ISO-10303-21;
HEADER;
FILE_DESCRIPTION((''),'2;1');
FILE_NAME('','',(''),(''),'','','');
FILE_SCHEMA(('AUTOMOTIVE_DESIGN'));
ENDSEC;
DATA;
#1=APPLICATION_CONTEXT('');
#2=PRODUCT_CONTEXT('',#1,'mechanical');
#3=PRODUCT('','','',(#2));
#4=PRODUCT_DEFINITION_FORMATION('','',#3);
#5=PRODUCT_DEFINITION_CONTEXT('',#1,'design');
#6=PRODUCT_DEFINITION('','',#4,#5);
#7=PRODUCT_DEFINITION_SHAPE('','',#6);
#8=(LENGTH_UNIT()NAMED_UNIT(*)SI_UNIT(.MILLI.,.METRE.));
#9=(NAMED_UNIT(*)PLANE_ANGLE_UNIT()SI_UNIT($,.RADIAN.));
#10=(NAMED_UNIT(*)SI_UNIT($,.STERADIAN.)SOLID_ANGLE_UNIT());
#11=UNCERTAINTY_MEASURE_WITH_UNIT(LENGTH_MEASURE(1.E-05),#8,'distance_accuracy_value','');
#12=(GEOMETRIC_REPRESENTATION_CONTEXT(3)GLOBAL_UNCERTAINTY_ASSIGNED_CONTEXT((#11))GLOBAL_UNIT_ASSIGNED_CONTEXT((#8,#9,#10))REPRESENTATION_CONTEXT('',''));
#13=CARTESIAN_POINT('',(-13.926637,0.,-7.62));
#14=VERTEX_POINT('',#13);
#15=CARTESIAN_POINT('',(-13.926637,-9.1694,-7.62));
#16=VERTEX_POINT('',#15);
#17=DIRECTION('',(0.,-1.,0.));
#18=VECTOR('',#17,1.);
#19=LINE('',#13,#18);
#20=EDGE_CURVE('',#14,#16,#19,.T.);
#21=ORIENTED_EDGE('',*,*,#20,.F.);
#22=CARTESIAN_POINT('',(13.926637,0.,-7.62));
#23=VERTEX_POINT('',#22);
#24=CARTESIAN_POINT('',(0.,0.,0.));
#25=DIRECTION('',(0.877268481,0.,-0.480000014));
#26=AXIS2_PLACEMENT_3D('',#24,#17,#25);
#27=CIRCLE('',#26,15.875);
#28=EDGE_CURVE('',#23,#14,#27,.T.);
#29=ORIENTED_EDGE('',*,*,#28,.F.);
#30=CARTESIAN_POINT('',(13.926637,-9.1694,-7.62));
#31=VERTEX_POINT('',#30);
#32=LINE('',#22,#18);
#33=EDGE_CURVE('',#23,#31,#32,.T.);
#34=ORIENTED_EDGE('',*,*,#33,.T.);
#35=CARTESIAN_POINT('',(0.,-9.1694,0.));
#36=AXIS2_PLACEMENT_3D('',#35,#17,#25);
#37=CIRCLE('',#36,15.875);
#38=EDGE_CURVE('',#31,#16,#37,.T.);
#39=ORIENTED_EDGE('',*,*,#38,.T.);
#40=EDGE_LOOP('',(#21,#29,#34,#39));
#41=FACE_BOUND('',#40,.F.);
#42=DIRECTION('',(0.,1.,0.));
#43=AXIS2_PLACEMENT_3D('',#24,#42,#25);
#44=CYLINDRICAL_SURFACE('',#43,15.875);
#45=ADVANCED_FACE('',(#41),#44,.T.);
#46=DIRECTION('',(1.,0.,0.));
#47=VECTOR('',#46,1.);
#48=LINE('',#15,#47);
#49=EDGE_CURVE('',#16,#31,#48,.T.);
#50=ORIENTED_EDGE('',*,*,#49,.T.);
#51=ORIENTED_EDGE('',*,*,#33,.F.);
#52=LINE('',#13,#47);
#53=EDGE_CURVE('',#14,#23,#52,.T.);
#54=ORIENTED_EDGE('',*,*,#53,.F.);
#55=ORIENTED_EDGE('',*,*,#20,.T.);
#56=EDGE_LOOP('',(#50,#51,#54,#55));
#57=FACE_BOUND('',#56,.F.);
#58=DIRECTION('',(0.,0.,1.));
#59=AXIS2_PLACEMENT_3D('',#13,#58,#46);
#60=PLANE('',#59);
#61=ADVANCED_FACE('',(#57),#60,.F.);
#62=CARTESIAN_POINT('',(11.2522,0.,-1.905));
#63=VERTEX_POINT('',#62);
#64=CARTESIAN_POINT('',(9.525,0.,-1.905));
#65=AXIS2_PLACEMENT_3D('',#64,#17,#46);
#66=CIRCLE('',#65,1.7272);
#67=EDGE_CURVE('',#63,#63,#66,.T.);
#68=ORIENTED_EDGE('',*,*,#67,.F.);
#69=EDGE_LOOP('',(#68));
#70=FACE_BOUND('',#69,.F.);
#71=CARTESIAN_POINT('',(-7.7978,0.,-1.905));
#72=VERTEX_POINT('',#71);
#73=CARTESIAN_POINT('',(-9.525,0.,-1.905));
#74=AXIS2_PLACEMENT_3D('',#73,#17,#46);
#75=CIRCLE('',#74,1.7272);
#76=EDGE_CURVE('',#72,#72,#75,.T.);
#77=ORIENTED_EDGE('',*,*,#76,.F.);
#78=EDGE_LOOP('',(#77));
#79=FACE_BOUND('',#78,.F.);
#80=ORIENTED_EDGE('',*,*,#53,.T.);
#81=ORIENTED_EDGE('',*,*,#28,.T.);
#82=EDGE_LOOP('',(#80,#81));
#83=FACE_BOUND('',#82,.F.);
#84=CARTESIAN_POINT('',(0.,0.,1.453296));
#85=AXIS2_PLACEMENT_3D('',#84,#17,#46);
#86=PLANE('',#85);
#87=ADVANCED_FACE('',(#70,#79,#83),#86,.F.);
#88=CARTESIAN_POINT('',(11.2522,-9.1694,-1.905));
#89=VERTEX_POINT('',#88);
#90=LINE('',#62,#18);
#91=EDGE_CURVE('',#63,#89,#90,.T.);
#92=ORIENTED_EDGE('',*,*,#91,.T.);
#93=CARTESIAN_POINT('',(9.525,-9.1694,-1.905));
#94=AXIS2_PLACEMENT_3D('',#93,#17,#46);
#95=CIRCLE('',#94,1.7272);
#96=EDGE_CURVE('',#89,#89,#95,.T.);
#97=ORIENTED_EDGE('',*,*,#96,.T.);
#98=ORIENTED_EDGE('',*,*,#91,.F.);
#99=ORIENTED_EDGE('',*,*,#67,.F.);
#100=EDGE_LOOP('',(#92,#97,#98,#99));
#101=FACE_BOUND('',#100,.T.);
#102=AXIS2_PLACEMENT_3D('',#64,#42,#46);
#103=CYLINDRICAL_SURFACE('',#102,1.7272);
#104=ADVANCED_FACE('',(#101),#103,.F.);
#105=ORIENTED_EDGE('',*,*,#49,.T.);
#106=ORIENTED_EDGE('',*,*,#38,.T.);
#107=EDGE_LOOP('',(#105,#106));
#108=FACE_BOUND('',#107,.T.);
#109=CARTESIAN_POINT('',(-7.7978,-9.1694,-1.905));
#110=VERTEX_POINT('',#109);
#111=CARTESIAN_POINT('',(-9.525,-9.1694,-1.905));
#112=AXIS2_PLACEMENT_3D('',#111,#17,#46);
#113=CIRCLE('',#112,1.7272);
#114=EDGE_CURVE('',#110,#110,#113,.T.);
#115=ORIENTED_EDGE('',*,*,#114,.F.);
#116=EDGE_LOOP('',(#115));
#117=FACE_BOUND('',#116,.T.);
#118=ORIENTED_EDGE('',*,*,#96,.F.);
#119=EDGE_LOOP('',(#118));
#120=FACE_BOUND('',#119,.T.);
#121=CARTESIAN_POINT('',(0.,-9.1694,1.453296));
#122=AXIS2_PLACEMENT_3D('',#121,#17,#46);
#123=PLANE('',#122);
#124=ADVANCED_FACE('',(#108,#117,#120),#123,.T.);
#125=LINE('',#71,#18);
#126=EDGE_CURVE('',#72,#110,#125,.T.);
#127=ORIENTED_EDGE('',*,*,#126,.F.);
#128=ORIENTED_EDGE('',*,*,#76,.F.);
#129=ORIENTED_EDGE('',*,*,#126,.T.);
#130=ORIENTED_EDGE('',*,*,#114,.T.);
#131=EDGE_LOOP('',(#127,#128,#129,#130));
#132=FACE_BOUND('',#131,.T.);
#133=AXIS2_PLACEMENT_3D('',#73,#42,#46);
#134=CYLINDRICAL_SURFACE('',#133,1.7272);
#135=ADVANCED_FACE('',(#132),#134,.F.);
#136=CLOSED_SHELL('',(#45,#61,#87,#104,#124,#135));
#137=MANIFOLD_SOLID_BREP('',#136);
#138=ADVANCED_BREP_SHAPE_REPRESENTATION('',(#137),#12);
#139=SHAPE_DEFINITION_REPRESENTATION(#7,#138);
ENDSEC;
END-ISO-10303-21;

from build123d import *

# Parameters (mm, degrees)
F0_R     = 1.7272
F1_DEPTH = 9.1694


with BuildPart() as f1:
    # F0 (on Front) → F1 (new body)
    with BuildSketch(Plane.XZ):
        with BuildLine():
            Line((-13.926637, -7.62), (13.926637, -7.62))
            ThreePointArc((13.926637, -7.62), (0, 15.875), (-13.926637, -7.62))
        make_face()
        with Locations((-9.525, -1.905)):
            Circle(F0_R, mode=Mode.SUBTRACT)
        with Locations((9.525, -1.905)):
            Circle(F0_R, mode=Mode.SUBTRACT)
    extrude(amount=F1_DEPTH)


solid = f1.part
